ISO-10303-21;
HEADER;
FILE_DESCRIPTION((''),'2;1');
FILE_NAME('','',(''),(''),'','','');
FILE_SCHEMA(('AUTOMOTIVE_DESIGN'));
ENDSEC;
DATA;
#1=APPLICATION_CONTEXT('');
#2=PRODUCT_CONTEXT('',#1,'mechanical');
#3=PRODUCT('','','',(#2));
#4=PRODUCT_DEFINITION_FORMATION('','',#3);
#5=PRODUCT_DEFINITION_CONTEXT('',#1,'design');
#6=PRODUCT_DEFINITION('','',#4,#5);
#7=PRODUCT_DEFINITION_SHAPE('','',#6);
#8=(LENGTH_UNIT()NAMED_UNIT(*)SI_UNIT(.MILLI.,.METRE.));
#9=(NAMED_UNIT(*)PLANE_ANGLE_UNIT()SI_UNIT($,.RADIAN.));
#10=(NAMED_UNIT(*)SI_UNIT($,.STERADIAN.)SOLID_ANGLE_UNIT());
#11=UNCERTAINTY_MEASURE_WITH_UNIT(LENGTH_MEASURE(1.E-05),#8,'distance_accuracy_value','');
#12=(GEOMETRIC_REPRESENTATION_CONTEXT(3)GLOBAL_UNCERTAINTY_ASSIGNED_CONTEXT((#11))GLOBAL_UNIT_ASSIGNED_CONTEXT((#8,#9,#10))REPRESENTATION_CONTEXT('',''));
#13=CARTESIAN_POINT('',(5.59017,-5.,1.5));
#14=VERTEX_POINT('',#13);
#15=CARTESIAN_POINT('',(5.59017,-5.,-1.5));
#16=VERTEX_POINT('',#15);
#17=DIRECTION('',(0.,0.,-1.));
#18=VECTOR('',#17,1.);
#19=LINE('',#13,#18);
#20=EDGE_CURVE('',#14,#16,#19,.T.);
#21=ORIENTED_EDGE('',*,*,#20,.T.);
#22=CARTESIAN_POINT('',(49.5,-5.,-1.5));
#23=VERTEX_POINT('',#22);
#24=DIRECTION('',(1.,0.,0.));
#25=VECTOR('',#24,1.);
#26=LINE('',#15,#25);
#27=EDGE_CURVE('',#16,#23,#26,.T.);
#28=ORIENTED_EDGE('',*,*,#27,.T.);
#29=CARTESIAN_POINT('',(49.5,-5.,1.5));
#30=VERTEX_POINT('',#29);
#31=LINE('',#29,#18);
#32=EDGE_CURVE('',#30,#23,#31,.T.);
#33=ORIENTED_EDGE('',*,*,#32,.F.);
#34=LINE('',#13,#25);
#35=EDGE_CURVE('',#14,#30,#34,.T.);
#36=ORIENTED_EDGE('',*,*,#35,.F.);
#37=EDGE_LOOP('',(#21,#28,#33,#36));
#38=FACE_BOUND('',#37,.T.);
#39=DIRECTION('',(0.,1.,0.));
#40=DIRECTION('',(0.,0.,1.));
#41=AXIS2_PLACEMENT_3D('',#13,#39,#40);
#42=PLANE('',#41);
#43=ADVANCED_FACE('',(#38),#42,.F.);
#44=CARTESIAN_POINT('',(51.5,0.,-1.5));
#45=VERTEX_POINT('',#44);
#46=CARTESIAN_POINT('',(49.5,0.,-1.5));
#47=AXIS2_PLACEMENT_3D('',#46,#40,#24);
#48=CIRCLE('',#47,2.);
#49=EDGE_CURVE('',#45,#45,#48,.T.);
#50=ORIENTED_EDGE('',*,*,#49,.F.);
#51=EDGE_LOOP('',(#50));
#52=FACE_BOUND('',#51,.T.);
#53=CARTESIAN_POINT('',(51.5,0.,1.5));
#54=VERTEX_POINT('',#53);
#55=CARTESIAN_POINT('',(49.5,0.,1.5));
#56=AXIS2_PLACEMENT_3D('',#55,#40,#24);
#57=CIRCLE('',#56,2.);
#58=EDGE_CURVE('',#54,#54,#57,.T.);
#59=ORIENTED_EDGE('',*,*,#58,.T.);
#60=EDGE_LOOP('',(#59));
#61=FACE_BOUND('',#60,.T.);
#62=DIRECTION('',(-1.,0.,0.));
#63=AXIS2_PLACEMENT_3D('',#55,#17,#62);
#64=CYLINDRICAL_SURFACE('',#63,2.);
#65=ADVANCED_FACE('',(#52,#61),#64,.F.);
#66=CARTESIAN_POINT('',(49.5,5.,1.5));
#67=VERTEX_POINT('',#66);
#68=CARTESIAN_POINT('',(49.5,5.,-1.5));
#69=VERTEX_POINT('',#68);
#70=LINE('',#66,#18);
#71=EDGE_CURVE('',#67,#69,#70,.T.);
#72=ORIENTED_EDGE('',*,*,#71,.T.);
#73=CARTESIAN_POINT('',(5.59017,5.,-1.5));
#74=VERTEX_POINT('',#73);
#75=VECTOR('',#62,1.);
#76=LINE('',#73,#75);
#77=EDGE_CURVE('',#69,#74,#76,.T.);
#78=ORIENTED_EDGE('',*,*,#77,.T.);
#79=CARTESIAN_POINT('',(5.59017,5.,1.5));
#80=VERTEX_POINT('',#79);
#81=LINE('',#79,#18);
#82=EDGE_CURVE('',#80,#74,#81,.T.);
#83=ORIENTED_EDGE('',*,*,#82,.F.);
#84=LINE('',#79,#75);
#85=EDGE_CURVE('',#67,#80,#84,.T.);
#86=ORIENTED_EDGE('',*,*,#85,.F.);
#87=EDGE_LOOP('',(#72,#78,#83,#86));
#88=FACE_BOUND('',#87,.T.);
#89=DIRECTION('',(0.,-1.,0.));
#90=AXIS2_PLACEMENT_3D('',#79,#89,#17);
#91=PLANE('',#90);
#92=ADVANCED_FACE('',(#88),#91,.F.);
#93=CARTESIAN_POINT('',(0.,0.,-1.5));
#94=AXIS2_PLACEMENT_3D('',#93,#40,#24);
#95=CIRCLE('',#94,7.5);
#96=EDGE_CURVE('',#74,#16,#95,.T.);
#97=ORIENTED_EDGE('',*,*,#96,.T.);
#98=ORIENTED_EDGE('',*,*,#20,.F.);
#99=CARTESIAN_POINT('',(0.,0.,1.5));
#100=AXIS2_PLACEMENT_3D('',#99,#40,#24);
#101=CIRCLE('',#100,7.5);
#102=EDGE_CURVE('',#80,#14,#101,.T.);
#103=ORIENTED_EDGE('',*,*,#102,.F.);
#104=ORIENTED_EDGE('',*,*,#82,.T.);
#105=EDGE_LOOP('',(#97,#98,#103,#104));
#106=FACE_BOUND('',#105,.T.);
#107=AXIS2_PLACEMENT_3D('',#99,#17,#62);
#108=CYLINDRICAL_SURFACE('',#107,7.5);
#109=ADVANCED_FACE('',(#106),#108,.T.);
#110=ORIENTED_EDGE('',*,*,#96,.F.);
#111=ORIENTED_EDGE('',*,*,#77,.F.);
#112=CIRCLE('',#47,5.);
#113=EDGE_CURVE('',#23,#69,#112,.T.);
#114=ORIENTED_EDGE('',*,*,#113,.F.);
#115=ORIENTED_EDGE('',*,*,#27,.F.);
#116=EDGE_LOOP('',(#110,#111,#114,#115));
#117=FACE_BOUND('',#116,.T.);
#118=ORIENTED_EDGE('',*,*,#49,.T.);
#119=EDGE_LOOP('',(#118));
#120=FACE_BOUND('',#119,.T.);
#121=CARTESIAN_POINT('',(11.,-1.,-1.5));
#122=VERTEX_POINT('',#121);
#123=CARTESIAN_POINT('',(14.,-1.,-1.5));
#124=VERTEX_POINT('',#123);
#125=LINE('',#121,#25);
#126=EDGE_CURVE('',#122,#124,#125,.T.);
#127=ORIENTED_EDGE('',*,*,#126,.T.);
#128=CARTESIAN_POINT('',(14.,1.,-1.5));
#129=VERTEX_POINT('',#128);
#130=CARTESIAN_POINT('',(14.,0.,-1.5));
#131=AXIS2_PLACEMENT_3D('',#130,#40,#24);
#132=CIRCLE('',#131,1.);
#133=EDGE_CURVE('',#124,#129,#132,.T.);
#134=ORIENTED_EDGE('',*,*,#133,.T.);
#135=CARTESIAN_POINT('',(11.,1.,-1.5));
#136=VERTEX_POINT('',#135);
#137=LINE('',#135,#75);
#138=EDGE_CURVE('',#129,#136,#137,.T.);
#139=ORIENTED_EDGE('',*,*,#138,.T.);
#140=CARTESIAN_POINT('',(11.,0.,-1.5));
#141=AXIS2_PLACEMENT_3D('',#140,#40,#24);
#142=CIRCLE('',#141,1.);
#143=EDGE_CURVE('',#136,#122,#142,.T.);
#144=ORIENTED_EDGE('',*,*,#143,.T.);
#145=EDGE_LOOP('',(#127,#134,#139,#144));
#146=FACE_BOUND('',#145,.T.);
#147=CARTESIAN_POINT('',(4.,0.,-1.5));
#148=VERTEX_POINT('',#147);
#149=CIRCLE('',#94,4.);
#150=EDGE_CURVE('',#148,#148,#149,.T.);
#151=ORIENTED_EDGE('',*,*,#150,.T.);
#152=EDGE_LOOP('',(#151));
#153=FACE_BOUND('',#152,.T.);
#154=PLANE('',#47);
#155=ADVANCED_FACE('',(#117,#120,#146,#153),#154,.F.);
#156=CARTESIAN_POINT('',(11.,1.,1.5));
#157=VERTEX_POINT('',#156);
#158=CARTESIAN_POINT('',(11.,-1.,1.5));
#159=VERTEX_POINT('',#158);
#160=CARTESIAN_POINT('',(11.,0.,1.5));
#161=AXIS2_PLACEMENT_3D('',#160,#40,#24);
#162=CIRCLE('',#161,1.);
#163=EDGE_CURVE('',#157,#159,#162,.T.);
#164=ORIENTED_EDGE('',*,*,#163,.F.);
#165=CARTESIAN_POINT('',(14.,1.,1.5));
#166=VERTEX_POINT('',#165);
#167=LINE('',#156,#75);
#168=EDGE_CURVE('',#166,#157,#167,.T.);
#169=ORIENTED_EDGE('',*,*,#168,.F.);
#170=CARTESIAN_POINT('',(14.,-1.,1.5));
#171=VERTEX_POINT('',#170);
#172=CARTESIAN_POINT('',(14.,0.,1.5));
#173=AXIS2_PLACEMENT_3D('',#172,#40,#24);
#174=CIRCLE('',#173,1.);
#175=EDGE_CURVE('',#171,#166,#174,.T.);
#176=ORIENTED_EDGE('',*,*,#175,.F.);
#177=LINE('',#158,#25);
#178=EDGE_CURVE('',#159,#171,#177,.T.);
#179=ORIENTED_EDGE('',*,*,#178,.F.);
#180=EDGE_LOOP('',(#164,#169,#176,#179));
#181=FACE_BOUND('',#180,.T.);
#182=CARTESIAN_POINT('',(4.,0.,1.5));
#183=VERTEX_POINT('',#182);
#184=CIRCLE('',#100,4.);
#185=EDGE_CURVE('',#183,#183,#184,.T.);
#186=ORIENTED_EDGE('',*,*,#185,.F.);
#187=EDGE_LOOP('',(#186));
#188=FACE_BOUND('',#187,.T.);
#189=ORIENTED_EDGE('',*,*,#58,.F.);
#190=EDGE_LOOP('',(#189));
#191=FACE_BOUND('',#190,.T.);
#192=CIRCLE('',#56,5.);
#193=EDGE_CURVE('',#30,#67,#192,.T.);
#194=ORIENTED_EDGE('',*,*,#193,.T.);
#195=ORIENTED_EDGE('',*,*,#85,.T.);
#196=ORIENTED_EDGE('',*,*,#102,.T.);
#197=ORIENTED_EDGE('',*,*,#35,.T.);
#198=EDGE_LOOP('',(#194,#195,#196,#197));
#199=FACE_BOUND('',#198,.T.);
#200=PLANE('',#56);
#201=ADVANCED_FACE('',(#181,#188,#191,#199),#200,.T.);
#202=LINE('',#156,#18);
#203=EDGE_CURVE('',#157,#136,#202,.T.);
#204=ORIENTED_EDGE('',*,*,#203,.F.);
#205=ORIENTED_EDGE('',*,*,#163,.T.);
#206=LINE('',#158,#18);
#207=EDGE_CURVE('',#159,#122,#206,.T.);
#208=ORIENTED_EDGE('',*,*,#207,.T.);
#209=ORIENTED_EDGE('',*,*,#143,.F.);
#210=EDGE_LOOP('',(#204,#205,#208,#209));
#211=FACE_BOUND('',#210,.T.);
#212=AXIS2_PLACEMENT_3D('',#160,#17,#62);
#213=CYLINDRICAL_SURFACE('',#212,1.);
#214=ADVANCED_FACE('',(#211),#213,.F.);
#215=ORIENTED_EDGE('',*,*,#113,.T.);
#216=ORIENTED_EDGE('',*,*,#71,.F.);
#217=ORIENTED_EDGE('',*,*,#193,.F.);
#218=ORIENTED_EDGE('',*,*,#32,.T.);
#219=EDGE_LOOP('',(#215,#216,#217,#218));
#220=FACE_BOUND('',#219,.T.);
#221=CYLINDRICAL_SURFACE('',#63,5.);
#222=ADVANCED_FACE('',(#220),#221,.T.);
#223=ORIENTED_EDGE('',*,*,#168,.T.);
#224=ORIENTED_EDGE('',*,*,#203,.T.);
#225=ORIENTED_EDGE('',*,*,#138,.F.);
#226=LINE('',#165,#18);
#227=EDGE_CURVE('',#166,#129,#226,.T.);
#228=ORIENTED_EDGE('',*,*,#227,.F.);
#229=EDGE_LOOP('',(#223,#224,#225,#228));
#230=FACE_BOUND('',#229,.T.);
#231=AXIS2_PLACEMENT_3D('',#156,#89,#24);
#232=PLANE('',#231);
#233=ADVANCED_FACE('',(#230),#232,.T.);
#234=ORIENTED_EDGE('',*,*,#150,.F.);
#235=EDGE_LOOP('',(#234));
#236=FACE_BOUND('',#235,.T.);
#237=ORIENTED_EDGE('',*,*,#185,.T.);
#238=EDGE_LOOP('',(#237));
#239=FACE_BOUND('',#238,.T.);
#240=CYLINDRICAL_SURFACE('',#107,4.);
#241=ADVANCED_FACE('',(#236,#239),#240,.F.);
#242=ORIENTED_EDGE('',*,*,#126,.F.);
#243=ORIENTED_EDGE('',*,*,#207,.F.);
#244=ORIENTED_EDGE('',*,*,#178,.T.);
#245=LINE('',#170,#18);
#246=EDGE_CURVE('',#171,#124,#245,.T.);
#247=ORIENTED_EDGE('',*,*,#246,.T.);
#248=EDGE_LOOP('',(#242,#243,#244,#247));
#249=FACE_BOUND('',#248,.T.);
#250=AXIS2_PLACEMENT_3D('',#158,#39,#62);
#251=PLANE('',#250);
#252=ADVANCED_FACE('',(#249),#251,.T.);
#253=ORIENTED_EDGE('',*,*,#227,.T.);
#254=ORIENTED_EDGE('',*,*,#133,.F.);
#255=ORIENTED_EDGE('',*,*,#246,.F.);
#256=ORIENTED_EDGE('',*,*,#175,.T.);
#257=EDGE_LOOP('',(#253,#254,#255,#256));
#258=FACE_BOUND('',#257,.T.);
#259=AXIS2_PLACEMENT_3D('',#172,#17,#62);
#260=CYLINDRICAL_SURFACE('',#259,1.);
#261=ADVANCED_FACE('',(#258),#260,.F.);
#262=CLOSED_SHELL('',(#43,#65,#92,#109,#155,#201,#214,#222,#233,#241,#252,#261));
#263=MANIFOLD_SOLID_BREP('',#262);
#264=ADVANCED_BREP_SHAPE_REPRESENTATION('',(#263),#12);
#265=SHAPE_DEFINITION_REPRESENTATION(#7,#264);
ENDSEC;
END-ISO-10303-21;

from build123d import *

# Parameters (mm, degrees)
SKETCH_1_R      = 4
SKETCH_1_R_2    = 2
EXTRUDE_1_DEPTH = 1.5


with BuildPart() as part:
    # 草图1 → 凸台-拉伸1 (new, symmetric)
    with BuildSketch(Plane.XY):
        with BuildLine():
            Line((5.590169944, 5), (49.5, 5))
            ThreePointArc((49.5, 5), (54.5, 0), (49.5, -5))
            Line((49.5, -5), (5.590169944, -5))
            ThreePointArc((5.590169944, -5), (-7.5, 0), (5.590169944, 5))
        make_face()
        Circle(SKETCH_1_R, mode=Mode.SUBTRACT)
        with Locations((49.5, 0)):
            Circle(SKETCH_1_R_2, mode=Mode.SUBTRACT)
        with BuildLine():
            Line((11, 1), (14, 1))
            ThreePointArc((14, 1), (15, 0), (14, -1))
            Line((14, -1), (11, -1))
            ThreePointArc((11, -1), (10, 0), (11, 1))
        make_face(mode=Mode.SUBTRACT)
    extrude(amount=EXTRUDE_1_DEPTH, both=True)


solid = part.part
